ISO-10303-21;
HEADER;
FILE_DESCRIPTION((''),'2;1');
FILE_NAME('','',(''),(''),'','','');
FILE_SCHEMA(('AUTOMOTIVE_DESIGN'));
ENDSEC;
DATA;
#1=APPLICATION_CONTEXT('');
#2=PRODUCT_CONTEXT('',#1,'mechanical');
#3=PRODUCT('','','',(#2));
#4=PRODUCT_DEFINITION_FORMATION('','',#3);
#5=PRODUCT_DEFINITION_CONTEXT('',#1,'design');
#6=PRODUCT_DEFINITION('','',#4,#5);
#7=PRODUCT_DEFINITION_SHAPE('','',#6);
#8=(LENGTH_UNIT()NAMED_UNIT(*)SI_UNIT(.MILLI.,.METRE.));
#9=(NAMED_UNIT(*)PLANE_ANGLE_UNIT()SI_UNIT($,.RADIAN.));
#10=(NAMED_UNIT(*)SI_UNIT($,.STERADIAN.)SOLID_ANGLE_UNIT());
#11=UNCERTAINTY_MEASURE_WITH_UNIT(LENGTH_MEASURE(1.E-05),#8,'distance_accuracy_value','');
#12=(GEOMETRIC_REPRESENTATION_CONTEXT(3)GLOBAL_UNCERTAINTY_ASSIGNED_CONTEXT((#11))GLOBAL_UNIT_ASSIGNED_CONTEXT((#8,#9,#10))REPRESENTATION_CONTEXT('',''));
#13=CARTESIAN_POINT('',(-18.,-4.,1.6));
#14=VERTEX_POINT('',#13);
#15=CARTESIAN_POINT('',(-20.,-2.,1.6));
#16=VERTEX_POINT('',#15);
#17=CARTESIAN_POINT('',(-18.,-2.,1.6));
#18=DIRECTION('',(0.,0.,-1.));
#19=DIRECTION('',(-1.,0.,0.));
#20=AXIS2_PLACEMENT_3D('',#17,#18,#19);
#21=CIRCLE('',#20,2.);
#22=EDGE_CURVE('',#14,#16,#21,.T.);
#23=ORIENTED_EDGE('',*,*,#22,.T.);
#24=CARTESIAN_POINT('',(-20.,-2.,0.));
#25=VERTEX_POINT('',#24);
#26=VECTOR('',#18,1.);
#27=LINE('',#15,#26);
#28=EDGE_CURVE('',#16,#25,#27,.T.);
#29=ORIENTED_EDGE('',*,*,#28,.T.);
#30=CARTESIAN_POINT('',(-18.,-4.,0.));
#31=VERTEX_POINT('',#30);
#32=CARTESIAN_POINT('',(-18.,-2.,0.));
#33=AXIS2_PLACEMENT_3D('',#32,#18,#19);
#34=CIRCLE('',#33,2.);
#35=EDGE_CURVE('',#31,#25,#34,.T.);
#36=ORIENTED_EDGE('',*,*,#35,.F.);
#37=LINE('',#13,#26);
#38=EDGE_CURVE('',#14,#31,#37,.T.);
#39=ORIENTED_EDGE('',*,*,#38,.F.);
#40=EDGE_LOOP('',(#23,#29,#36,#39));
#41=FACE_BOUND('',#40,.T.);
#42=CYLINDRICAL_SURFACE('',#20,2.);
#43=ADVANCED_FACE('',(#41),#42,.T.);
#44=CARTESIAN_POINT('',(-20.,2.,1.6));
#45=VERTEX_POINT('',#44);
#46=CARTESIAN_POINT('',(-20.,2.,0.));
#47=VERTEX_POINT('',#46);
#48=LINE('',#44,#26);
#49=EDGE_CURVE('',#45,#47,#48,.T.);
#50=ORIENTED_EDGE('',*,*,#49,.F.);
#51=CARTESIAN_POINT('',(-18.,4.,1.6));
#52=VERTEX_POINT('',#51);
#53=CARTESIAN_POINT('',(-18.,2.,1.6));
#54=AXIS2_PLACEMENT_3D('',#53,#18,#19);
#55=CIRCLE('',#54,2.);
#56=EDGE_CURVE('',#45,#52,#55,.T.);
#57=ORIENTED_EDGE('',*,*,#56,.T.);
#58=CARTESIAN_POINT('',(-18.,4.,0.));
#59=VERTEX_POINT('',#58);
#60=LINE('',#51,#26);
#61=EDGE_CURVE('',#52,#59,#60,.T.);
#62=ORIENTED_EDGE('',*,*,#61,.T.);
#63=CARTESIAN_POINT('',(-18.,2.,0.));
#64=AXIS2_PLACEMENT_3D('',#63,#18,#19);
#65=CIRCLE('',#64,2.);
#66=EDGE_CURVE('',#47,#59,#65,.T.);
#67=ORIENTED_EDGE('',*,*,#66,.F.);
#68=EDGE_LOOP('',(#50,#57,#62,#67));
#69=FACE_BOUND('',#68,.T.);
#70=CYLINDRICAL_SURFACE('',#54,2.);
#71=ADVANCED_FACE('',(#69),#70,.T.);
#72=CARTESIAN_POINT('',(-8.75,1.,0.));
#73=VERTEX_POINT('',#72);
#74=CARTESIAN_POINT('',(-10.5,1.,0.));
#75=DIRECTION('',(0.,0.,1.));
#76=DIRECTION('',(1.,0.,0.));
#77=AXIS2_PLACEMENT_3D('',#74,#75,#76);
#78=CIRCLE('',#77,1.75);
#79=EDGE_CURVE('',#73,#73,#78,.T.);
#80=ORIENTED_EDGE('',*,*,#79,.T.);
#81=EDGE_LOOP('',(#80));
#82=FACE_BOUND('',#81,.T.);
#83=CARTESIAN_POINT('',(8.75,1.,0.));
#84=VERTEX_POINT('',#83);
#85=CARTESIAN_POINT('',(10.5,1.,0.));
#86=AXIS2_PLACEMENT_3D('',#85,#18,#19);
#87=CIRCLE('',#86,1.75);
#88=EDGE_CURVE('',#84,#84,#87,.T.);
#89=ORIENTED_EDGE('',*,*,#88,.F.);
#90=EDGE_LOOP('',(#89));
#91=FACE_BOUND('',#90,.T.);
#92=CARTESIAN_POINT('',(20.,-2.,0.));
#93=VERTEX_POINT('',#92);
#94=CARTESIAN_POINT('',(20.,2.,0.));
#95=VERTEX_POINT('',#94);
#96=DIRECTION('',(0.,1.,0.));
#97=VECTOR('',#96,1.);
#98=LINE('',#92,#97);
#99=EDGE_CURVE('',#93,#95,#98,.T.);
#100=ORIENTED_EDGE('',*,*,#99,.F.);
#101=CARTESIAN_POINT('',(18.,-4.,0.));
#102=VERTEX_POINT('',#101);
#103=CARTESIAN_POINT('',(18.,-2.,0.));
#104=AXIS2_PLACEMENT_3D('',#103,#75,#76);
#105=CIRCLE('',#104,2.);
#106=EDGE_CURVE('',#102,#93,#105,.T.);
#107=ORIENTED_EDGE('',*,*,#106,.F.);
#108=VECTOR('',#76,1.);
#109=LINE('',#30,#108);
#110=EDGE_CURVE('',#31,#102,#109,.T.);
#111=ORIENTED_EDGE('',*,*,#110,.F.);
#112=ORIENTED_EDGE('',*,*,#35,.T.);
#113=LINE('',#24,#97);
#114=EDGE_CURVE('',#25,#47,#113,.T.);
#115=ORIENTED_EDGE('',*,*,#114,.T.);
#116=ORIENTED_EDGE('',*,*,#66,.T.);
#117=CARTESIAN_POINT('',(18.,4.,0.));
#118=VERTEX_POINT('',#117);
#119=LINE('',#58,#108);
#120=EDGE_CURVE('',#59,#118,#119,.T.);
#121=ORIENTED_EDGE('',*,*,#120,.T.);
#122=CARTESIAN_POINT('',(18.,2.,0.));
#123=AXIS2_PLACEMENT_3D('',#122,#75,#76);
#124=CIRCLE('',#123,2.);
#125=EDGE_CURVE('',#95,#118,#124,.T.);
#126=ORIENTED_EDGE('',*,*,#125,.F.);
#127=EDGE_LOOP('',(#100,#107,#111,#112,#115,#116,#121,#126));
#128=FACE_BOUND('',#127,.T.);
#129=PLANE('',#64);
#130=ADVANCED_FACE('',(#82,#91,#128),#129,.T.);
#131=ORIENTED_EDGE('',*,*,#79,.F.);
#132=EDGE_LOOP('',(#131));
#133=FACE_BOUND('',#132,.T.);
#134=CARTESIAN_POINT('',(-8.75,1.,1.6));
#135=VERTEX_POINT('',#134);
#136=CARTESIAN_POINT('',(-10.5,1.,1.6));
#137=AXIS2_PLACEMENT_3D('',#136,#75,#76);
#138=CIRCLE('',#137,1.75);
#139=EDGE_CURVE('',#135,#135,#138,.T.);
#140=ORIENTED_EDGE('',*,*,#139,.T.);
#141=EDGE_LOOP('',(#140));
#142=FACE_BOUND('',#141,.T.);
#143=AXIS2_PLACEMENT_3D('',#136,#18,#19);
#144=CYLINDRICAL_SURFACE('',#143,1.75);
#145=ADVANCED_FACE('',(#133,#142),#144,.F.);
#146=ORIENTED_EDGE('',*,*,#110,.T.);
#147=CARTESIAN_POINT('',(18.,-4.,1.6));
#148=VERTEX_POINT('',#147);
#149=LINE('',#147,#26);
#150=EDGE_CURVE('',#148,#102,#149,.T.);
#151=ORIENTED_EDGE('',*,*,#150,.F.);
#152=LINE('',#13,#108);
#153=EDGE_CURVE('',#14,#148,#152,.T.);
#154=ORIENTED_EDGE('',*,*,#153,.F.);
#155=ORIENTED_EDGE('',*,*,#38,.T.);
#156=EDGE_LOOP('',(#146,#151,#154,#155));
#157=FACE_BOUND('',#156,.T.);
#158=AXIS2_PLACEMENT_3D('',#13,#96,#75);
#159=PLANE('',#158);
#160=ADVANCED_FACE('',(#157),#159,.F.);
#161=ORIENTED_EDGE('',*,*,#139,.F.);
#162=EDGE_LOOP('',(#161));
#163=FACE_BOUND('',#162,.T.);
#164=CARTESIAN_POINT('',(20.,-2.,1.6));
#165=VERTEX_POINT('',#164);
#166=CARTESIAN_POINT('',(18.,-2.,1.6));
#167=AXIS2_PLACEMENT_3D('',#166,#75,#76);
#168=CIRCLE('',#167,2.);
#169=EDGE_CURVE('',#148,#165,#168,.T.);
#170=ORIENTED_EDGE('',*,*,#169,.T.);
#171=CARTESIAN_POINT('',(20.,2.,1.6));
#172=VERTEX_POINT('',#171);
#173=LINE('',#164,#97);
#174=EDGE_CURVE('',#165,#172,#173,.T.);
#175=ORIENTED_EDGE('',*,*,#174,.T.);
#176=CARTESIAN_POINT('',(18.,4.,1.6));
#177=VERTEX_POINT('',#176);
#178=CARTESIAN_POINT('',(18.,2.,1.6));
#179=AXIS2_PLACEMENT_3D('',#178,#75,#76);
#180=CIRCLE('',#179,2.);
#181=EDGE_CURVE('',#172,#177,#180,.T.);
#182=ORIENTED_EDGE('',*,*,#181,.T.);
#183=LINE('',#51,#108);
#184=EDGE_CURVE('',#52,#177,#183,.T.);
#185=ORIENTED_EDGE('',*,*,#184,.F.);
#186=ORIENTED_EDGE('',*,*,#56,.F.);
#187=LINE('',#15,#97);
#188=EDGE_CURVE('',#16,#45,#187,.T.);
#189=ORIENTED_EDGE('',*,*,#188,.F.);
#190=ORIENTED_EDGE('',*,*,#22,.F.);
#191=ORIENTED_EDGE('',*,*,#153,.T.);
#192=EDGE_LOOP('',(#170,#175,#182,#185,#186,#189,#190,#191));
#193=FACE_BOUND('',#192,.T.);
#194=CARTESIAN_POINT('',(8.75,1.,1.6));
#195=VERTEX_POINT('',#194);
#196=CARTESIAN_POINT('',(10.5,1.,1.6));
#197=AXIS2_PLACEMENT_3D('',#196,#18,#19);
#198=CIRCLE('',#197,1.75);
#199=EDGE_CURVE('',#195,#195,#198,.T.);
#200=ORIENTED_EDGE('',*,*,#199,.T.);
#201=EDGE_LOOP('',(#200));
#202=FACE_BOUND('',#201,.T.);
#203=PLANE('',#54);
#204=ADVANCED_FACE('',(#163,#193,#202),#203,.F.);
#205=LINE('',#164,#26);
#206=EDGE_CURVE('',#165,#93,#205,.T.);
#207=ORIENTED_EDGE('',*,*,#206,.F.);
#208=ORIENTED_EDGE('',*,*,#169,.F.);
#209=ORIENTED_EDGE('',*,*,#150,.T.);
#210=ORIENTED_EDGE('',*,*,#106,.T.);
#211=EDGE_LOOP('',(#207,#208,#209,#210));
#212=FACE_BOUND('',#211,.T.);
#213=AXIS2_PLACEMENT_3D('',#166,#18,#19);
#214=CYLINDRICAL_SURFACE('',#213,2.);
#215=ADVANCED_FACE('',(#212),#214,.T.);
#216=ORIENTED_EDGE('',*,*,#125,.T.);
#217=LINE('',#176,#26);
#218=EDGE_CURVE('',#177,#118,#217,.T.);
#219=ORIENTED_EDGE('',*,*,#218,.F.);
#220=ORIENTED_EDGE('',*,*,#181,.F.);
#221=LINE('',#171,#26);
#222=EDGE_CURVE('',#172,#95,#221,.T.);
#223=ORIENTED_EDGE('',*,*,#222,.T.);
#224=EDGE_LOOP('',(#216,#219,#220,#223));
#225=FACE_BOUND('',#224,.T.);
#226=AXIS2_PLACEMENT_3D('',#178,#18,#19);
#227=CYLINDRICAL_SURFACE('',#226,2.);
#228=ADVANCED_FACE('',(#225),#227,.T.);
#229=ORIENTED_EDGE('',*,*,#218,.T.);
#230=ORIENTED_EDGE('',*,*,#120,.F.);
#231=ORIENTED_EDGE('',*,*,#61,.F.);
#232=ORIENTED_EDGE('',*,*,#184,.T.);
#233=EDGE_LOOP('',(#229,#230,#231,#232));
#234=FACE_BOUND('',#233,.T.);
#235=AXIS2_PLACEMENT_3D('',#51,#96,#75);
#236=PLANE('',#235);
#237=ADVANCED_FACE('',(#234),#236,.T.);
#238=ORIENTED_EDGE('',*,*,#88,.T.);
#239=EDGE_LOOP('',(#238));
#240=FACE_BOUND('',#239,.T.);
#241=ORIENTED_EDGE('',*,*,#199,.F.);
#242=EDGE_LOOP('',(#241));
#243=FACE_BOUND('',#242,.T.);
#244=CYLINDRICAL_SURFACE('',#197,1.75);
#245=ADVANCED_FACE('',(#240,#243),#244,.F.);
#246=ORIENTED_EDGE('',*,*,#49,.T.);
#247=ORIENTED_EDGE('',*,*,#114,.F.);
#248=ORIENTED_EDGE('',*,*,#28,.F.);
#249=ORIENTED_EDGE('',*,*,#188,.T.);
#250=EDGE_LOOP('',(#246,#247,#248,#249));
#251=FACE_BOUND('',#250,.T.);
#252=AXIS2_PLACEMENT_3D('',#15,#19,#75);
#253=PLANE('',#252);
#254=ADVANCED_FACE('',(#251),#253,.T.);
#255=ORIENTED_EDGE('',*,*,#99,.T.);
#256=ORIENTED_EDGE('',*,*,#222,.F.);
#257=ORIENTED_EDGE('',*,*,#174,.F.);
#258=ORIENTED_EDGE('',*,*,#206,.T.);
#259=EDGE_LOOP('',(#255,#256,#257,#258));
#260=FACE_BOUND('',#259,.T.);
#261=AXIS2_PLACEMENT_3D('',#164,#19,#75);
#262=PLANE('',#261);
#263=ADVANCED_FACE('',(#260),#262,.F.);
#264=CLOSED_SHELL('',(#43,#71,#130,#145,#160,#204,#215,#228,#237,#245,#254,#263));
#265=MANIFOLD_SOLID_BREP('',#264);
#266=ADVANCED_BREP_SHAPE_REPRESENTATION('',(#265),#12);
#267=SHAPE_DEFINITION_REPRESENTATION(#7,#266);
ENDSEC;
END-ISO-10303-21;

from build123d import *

# Parameters (mm, degrees)
SKETCH_1_R      = 1.75
EXTRUDE_1_DEPTH = 1.6


with BuildPart() as part:
    # Эскиз1 → Бобышка-Вытянуть1 (new body)
    with BuildSketch(Plane.XY):
        with BuildLine():
            Line((-18, -4), (18, -4))
            ThreePointArc((18, -4), (19.414213562, -3.414213562), (20, -2))
            Line((20, -2), (20, 2))
            ThreePointArc((20, 2), (19.414213562, 3.414213562), (18, 4))
            Line((18, 4), (-18, 4))
            ThreePointArc((-18, 4), (-19.414213562, 3.414213562), (-20, 2))
            Line((-20, 2), (-20, -2))
            ThreePointArc((-20, -2), (-19.414213562, -3.414213562), (-18, -4))
        make_face()
        with Locations((-10.5, 1)):
            Circle(SKETCH_1_R, mode=Mode.SUBTRACT)
        with Locations(Location((10.5, 1, 0), (0, 0, 180))):
            Circle(SKETCH_1_R, mode=Mode.SUBTRACT)
    extrude(amount=EXTRUDE_1_DEPTH)


solid = part.part
